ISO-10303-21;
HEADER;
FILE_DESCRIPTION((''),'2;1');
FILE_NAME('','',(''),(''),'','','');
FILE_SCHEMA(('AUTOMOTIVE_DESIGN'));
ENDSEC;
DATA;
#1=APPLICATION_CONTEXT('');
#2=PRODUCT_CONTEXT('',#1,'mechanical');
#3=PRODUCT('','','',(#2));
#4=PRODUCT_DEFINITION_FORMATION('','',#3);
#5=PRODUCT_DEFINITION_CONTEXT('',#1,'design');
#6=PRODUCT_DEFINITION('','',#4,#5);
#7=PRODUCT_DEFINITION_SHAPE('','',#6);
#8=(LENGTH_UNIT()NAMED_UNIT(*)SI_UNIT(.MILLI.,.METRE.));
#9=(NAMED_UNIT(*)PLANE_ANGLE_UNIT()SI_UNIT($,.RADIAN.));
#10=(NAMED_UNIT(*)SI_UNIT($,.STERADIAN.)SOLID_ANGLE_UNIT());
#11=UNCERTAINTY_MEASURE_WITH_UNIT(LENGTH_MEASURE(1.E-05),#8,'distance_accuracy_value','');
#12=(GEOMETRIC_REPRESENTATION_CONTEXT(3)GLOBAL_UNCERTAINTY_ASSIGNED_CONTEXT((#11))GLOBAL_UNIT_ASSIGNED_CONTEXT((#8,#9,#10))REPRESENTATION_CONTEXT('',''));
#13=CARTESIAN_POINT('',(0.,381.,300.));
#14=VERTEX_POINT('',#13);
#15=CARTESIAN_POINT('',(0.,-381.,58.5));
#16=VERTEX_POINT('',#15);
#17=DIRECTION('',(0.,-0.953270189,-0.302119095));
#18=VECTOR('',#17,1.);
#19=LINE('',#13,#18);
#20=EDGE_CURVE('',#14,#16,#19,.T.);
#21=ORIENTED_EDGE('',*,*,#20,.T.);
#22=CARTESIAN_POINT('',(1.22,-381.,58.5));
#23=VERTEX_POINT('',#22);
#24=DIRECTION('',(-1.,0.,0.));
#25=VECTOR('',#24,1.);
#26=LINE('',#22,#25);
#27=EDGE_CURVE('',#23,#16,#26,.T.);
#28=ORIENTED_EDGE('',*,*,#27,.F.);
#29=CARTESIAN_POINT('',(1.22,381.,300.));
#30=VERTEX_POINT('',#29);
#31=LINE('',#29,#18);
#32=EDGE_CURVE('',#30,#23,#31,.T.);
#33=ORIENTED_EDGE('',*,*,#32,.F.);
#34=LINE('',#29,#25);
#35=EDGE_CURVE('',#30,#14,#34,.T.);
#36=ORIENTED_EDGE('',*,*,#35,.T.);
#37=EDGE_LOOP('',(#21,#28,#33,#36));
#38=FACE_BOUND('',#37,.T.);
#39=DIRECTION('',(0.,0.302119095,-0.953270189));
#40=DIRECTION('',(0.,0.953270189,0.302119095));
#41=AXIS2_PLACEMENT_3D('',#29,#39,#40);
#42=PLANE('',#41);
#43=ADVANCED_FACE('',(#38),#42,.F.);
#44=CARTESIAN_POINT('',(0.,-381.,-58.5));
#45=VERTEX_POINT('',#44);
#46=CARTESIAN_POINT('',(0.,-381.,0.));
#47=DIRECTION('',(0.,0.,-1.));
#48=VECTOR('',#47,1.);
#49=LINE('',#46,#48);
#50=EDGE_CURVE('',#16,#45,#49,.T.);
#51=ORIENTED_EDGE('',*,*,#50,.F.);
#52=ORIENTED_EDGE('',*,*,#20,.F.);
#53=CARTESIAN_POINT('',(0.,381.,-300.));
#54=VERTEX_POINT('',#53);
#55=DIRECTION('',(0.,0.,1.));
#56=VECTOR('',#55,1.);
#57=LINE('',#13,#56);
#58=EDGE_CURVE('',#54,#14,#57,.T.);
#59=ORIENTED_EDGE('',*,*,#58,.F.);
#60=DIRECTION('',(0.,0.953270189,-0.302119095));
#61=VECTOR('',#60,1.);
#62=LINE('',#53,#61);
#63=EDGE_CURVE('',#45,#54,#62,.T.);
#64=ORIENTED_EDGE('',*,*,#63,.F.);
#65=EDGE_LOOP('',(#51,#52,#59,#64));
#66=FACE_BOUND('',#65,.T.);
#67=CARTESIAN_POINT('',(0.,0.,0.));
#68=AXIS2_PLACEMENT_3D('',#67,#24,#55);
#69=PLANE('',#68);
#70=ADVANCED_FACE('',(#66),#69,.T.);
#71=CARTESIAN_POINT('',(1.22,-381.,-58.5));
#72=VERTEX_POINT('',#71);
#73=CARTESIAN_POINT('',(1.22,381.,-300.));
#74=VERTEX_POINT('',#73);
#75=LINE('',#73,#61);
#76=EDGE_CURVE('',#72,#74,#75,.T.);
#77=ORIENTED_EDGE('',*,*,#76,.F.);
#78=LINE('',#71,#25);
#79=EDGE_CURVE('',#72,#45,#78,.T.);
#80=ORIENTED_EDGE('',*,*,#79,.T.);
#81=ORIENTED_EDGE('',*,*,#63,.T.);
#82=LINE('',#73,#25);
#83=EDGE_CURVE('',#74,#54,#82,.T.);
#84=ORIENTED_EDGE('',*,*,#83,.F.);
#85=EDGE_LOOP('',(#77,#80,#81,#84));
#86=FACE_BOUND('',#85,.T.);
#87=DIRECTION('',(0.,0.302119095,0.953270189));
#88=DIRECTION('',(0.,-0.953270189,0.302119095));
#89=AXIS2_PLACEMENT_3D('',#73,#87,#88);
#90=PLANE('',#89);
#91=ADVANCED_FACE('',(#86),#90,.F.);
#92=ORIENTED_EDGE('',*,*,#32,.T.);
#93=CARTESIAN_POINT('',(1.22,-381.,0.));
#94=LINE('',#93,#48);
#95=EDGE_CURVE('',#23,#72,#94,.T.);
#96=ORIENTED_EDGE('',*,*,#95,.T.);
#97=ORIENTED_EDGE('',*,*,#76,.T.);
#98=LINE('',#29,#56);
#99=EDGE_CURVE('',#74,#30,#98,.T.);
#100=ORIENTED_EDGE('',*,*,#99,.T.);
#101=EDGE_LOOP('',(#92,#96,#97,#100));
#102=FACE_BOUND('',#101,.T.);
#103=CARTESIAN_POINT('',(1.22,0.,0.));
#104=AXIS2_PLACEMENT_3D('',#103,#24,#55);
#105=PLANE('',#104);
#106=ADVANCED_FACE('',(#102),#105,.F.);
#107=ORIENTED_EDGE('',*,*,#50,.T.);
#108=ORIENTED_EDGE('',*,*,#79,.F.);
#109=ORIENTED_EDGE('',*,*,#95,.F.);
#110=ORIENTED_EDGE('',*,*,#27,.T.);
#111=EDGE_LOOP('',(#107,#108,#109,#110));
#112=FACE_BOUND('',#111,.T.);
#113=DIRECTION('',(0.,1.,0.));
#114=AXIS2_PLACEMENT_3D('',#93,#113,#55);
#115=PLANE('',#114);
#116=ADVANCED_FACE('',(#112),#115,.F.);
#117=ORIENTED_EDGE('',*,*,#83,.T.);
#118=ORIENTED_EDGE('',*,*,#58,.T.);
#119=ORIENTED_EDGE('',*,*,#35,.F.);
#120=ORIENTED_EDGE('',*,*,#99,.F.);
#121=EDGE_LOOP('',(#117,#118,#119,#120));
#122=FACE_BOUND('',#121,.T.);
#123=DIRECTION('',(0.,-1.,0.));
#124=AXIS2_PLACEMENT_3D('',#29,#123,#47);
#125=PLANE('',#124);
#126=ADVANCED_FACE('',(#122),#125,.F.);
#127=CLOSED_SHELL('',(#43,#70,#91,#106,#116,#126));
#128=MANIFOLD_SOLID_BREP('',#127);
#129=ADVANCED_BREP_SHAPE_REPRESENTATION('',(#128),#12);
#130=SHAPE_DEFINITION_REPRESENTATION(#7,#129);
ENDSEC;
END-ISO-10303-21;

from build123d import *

# Parameters (mm, degrees)
BOSS_EXTRUDE1_DEPTH = 1.22


with BuildPart() as part:
    # Sketch1 → Boss-Extrude1 (new body)
    with BuildSketch(Plane(origin=(0, 0, 0), x_dir=(0, 0, -1), z_dir=(1, 0, 0))):
        Polygon((-300, 381), (300, 381), (58.5, -381), (0, -381), (-58.5, -381), align=None)
    extrude(amount=BOSS_EXTRUDE1_DEPTH)


solid = part.part
